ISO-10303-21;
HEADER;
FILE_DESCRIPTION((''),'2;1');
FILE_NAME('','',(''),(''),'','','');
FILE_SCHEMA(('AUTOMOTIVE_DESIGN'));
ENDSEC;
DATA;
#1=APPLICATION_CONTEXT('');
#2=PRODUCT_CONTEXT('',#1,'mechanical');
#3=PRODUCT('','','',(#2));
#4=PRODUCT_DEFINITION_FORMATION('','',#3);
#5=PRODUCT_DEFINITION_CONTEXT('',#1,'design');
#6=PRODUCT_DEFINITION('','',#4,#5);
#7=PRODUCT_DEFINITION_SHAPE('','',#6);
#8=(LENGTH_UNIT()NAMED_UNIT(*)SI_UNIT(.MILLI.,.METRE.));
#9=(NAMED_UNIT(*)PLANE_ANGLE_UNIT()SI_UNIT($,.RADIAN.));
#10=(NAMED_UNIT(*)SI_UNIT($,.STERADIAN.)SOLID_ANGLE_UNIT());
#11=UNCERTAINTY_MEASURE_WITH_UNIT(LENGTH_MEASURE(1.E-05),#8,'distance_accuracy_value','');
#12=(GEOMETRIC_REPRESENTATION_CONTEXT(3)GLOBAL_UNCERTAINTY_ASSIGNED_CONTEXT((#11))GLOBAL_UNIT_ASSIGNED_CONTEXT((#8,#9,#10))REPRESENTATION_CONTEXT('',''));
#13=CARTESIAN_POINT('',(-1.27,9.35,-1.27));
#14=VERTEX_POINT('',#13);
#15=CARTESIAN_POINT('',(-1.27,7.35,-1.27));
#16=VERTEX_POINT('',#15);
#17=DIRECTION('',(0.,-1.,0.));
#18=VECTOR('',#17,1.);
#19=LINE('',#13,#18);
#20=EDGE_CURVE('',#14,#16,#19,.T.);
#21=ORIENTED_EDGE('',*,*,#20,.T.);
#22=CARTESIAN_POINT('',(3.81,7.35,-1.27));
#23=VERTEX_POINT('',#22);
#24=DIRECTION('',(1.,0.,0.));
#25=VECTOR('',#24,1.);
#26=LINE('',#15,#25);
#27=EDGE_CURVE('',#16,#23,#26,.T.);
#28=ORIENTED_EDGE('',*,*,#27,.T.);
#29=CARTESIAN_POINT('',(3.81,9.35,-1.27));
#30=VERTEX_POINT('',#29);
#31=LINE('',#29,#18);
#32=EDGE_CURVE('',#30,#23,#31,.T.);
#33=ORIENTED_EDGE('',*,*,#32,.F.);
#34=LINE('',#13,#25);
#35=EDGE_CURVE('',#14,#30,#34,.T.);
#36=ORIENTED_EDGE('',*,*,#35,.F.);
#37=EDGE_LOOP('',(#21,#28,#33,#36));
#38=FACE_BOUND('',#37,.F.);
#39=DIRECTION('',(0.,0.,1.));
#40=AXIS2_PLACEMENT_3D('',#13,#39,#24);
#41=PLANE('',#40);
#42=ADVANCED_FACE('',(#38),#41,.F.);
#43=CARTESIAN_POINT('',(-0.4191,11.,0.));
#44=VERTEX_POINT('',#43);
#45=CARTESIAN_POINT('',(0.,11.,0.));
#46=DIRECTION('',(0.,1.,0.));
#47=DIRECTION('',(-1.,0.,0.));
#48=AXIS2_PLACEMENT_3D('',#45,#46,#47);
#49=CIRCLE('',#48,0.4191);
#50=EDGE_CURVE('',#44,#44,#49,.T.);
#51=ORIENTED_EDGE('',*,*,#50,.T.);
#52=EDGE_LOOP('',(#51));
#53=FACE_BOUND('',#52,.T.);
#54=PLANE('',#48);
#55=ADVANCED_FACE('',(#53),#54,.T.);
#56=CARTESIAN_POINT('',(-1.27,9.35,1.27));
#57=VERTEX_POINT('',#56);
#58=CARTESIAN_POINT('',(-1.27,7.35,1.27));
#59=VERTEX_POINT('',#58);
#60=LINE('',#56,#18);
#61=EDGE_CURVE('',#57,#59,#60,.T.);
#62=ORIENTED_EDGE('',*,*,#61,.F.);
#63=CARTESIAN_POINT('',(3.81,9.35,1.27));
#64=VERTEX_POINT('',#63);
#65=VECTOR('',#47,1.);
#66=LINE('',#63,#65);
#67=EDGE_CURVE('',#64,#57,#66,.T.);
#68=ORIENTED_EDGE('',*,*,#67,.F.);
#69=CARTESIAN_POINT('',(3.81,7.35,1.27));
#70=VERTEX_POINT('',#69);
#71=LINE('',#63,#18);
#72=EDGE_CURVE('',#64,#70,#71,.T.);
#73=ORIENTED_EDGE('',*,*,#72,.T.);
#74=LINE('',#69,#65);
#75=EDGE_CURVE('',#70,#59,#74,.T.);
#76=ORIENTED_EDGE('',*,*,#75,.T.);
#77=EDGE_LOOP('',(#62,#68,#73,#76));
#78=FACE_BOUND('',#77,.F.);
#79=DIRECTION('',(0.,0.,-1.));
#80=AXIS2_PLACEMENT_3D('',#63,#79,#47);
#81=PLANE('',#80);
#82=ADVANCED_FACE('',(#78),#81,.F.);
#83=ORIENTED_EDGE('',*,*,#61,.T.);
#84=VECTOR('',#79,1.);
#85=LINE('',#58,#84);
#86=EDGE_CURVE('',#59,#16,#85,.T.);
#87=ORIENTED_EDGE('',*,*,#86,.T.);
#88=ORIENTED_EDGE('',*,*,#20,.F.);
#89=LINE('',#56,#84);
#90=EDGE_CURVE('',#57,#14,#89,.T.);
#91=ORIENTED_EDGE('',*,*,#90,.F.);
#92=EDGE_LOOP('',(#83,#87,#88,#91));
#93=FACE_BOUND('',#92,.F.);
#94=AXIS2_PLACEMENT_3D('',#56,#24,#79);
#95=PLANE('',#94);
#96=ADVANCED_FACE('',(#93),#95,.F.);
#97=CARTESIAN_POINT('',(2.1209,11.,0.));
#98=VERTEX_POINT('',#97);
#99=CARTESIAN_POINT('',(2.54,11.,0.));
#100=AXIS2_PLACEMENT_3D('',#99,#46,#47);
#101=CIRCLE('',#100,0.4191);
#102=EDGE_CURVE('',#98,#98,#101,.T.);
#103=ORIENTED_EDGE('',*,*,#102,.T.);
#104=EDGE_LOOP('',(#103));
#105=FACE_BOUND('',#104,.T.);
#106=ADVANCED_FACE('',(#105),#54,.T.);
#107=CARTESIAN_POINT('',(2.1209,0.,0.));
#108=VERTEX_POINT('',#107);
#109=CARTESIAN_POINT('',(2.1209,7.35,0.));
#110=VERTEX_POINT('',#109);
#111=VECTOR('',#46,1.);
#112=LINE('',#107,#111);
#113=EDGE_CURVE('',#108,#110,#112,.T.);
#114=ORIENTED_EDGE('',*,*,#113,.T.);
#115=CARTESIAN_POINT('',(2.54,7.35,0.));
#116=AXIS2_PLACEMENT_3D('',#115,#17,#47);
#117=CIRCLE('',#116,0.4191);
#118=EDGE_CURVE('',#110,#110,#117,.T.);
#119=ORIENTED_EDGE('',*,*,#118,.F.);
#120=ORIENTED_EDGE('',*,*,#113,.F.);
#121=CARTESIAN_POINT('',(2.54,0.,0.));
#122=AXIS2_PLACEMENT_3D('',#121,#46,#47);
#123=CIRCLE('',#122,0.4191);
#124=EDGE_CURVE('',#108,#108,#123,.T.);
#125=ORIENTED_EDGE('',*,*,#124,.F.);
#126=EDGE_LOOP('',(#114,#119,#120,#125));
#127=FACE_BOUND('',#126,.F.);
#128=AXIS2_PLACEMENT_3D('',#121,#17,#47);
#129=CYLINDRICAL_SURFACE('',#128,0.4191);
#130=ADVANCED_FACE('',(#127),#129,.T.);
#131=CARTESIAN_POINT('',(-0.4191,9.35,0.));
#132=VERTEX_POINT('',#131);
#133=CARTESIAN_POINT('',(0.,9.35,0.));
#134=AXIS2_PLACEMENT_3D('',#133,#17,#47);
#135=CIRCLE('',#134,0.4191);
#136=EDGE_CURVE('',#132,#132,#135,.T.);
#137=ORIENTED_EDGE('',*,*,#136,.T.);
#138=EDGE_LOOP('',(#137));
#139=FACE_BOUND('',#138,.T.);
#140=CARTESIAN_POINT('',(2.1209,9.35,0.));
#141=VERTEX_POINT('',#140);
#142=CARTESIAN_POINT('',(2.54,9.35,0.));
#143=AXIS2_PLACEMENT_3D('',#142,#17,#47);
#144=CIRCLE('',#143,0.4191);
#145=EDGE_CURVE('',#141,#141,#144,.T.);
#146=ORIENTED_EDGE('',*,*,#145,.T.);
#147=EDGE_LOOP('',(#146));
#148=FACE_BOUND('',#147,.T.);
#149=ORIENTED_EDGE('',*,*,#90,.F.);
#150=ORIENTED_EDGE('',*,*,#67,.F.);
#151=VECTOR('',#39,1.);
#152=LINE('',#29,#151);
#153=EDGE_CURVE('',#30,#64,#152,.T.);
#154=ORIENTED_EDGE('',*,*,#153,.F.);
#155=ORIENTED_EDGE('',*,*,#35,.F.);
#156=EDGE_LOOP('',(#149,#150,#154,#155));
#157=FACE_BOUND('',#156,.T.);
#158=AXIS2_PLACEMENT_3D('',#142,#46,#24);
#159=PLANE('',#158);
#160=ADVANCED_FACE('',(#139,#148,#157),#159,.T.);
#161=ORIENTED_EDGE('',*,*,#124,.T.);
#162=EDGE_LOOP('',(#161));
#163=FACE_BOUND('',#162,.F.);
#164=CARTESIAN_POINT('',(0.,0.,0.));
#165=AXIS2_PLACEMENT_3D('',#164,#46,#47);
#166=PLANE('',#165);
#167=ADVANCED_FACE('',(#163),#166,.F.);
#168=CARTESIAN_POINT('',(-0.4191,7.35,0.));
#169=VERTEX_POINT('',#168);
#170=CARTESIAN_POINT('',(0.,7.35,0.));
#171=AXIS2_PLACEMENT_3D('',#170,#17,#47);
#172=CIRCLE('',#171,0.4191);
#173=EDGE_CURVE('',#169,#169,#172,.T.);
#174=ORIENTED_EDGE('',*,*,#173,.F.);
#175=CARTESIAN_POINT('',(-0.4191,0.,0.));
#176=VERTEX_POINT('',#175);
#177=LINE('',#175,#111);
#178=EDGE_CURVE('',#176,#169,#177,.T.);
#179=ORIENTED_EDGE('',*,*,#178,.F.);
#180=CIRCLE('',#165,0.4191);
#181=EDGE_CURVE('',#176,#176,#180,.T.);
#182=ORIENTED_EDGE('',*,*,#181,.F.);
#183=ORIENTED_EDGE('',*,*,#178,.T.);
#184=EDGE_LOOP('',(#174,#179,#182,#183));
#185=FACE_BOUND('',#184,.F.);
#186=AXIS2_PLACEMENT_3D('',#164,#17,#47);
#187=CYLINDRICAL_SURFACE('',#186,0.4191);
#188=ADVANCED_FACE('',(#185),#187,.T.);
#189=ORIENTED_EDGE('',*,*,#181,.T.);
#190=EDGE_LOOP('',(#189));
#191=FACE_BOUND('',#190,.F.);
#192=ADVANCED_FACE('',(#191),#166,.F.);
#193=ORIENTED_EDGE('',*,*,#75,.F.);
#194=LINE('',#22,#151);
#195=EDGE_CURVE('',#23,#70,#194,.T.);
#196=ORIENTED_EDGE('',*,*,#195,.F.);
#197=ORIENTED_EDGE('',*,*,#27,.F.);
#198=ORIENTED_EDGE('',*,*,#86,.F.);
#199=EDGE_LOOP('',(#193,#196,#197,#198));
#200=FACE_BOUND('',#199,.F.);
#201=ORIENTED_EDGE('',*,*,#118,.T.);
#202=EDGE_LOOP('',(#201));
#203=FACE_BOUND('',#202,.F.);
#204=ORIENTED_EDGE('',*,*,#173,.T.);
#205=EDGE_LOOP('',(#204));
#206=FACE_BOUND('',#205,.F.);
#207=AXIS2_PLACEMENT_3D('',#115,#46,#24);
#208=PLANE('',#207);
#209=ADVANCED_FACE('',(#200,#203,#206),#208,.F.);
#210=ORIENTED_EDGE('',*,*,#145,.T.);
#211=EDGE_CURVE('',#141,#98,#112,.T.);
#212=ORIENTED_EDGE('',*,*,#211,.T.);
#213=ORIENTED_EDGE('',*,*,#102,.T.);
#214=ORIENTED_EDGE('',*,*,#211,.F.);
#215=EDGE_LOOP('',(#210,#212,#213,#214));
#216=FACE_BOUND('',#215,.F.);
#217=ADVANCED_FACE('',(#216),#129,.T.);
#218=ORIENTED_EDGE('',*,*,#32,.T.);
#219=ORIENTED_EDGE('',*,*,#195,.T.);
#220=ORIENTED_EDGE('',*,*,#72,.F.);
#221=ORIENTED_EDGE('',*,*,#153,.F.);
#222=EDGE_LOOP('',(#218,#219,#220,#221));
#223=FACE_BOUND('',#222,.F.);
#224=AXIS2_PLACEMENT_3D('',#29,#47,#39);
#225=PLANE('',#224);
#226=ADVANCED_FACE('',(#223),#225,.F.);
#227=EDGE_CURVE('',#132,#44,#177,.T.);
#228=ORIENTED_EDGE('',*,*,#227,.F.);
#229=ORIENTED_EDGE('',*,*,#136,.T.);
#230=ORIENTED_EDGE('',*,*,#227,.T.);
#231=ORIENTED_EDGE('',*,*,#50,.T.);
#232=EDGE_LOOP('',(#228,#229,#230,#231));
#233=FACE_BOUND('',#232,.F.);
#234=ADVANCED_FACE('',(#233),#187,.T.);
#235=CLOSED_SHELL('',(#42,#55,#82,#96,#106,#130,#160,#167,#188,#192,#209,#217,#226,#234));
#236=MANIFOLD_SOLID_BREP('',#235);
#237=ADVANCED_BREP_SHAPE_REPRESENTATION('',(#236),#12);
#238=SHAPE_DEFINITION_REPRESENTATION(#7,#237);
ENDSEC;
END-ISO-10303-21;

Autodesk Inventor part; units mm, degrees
ref_plane "YZ Plane" through (0, 0, 0) normal (1, 0, 0) x (0, 1, 0)
ref_plane "XZ Plane" through (0, 0, 0) normal (0, 1, 0) x (-1, 0, 0)
sketch "Sketch1" plane through (0, 0, 0) normal (0, 1, 0) x (-1, 0, 0)
  circle A0 centre (0, 0) radius 0.4191
  circle A1 centre (2.54, 0) radius 0.4191
  circle A2 centre (-2.54, 0) radius 0.4191
  dimension "d0" = 0.8382
  dimension "d1" = 0.8382
  dimension "d2" = 0.8382
  dimension "d3" = 2.54
  dimension "d4" = 2.54
extrude "Extrusion1" add sketch "Sketch1" along normal blind 11 contours A0 | A2
ref_plane "Work Plane1" through (2.54, 9.35, 0) normal (0, 1, 0) x (1, 0, 0)
sketch "Sketch2" plane through (2.54, 9.35, 0) normal (0, 1, 0) x (1, 0, 0)
  line L0 (-3.81, 1.27) -> (1.27, 1.27)
  line L1 (1.27, 1.27) -> (1.27, -1.27)
  line L2 (1.27, -1.27) -> (-3.81, -1.27)
  line L3 (-3.81, -1.27) -> (-3.81, 1.27)
  point P0 (-2.54, 0)
  dimension "d8" = 3.81
  dimension "d9" = 1.27
  dimension "d10" = 1.27
  dimension "d11" = 2.54
extrude "Extrusion2" add sketch "Sketch2" against normal blind 2
properties part number "2PinHeader"
